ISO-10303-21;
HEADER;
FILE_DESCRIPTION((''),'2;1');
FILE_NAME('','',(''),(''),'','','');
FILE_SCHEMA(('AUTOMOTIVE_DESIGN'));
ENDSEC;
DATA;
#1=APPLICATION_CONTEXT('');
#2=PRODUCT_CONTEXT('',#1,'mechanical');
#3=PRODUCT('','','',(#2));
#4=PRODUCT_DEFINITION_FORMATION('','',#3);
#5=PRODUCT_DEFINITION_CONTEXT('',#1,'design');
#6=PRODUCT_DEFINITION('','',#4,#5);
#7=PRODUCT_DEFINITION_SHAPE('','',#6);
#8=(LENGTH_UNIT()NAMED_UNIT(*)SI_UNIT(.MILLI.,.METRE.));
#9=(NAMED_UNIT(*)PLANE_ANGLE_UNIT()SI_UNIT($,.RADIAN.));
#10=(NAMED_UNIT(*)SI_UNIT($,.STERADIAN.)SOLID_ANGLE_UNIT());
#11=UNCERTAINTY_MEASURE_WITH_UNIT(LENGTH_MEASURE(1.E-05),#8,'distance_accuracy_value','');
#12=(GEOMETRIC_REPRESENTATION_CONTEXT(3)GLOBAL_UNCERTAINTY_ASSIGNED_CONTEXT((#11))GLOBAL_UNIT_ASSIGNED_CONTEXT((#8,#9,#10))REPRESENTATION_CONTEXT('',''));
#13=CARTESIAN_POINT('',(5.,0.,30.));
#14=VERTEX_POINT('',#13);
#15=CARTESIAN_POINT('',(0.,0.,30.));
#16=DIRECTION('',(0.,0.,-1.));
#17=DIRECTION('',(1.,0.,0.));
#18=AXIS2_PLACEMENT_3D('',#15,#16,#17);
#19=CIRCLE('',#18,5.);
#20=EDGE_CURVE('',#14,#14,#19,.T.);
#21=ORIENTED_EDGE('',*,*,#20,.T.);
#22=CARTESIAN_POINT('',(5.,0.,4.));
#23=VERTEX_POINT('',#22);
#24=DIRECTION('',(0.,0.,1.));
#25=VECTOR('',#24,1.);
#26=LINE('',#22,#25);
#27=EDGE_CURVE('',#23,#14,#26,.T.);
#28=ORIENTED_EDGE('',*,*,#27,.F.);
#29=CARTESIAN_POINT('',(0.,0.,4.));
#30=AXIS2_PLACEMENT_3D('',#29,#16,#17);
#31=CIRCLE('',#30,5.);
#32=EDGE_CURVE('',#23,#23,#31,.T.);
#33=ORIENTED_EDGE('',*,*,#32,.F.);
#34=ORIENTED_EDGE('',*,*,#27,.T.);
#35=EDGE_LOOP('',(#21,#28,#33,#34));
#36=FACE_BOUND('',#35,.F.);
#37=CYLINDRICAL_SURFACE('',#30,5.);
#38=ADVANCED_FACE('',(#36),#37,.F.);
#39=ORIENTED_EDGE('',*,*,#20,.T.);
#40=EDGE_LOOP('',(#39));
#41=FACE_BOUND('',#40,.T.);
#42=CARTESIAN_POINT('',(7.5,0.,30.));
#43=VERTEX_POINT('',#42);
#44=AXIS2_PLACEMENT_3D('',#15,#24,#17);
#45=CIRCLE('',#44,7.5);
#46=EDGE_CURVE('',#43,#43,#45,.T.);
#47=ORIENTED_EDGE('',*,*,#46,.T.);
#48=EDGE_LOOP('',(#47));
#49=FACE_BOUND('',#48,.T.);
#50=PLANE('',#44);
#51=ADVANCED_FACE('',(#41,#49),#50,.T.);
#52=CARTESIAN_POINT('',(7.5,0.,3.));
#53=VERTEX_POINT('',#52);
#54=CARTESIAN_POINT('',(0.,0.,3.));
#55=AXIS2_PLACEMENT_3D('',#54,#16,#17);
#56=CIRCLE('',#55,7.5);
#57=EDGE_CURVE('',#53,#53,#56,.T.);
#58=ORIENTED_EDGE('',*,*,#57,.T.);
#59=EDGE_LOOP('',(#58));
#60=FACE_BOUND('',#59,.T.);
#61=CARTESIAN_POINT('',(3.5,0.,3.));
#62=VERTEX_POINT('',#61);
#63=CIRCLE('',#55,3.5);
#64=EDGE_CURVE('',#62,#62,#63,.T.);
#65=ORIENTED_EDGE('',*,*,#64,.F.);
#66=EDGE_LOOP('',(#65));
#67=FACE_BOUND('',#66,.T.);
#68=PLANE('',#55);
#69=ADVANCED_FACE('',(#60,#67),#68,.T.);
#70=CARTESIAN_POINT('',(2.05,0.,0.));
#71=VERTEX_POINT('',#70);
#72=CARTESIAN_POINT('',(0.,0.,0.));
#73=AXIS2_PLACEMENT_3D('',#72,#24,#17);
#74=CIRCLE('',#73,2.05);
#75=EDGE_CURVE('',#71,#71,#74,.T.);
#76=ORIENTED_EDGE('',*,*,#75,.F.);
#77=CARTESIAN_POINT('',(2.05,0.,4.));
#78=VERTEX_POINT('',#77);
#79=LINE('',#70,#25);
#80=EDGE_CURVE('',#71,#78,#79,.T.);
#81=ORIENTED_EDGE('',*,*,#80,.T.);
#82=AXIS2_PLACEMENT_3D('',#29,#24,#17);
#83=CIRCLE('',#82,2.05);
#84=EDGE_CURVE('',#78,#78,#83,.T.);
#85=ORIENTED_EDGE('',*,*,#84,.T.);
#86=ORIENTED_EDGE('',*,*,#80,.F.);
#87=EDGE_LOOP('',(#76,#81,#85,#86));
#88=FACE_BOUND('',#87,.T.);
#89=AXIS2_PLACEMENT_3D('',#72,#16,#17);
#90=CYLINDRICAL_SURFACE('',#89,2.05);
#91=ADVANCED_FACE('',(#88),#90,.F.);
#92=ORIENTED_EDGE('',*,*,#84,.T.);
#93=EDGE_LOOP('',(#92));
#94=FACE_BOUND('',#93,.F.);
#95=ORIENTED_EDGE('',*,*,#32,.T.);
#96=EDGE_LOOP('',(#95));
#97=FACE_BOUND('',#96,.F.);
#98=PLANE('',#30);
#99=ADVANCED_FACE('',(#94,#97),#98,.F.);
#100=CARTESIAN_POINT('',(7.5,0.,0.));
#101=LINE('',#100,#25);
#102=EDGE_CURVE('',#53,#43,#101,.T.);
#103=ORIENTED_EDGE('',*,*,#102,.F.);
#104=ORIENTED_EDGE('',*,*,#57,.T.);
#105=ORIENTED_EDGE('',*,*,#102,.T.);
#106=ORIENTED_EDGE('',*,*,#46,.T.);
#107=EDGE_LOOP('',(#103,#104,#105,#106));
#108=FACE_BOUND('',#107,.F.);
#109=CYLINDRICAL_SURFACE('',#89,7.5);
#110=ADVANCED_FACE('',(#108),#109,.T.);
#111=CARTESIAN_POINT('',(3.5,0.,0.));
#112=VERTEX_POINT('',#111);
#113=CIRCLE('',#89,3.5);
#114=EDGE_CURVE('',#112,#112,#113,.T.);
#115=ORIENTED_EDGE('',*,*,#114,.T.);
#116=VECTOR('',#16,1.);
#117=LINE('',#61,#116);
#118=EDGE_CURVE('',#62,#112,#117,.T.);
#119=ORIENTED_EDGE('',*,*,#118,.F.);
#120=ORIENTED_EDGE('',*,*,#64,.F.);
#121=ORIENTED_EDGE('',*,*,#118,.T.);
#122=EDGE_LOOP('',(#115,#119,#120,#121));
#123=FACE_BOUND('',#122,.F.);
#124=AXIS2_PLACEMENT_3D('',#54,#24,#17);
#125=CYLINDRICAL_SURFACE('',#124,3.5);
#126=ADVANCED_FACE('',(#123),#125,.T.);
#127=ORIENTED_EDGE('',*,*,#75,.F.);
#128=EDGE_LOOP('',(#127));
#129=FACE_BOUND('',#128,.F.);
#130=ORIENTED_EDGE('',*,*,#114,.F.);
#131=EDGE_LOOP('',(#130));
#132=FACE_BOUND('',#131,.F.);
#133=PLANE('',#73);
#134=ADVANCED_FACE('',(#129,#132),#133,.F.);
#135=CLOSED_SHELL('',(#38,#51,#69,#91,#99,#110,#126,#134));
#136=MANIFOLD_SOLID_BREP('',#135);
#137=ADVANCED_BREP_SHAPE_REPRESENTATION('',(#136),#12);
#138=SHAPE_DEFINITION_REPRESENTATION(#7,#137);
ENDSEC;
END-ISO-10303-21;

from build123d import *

# Parameters (mm, degrees)
F0_R     = 7.5
F1_DEPTH = 30
F2_R     = 2.05
F3_DEPTH = 4
F5_R     = 5
F6_DEPTH = 26
F8_R     = 7.5
F8_R_2   = 3.5
F9_DEPTH = 3


with BuildPart() as f1:
    # F0 (on Top) → F1 (new body)
    with BuildSketch(Plane.XY):
        Circle(F0_R)
    extrude(amount=F1_DEPTH)

    # F2 (on Top) → F3 (cut)
    with BuildSketch(Plane.XY):
        Circle(F2_R)
    extrude(amount=F3_DEPTH, mode=Mode.SUBTRACT)

    # F5 (on offset) → F6 (cut, through all)
    with BuildSketch(Plane(origin=(0, 0, 4), x_dir=(1, 0, 0), z_dir=(0, 0, -1))):
        Circle(F5_R)
    extrude(amount=-F6_DEPTH, mode=Mode.SUBTRACT)

    # F8 (on offset) → F9 (cut, through all)
    with BuildSketch(Plane(origin=(0, 0, 3), x_dir=(1, 0, 0), z_dir=(0, 0, -1))):
        Circle(F8_R)
        Circle(F8_R_2, mode=Mode.SUBTRACT)
    extrude(amount=F9_DEPTH, mode=Mode.SUBTRACT)


solid = f1.part
